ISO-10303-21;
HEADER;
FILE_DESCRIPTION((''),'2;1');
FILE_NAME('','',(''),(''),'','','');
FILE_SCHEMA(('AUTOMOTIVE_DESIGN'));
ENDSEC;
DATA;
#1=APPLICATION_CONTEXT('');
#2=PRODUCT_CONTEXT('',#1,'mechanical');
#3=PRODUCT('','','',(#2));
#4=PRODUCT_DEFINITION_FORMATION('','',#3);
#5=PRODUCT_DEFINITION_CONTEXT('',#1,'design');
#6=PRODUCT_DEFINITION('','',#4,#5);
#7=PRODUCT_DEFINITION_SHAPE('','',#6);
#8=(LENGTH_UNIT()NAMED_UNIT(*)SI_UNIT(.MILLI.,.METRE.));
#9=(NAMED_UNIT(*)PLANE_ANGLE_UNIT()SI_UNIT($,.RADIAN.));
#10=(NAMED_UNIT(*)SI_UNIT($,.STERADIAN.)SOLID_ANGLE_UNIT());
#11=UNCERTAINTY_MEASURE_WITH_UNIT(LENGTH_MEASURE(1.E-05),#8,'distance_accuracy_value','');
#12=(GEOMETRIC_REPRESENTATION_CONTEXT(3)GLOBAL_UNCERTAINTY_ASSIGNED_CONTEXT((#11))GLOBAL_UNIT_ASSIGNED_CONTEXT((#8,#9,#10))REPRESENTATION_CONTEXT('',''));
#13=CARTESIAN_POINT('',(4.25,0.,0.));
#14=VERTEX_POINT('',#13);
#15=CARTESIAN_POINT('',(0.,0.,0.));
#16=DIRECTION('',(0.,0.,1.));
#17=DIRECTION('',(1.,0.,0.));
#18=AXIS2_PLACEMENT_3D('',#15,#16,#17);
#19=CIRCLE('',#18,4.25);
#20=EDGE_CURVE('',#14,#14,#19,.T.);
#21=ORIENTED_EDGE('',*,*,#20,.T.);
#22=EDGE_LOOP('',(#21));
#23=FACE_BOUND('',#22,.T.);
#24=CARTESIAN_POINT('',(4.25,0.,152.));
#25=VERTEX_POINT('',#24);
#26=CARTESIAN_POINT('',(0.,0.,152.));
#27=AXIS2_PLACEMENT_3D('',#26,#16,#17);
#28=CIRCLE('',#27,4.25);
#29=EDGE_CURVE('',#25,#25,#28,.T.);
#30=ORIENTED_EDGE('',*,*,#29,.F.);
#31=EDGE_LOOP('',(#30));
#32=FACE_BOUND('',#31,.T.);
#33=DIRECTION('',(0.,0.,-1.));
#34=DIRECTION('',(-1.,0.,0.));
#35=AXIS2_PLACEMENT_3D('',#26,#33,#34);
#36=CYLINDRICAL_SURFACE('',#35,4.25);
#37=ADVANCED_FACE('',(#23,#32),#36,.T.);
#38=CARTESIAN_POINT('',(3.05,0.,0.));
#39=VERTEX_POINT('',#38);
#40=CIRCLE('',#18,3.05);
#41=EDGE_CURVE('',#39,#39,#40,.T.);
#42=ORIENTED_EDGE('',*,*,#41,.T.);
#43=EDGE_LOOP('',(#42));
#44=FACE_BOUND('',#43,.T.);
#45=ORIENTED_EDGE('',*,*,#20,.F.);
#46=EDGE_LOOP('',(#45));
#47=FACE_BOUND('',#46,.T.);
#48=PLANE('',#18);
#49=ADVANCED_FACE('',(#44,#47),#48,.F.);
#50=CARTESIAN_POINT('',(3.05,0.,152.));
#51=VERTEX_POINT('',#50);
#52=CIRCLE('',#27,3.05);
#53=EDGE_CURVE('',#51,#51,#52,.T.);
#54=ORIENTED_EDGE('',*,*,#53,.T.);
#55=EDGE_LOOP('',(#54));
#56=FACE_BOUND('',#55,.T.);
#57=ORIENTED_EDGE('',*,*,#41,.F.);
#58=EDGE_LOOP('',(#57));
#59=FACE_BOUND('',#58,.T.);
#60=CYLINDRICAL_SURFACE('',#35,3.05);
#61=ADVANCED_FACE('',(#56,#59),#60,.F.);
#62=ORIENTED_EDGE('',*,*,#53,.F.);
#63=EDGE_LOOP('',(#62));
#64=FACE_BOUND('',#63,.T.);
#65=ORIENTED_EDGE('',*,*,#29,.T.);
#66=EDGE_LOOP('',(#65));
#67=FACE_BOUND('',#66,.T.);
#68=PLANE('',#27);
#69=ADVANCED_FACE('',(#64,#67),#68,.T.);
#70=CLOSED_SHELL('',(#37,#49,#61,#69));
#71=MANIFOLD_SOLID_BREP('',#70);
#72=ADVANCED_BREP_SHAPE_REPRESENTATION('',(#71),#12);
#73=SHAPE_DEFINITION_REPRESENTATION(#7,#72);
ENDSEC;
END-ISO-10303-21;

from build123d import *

# Parameters (mm, degrees)
ESQUISSE1_R        = 4.25
ESQUISSE1_R_2      = 3.05
BOSS_EXTRU_1_DEPTH = 152


with BuildPart() as part:
    # Esquisse1 → Boss.-Extru.1 (new body)
    with BuildSketch(Plane.XY):
        Circle(ESQUISSE1_R)
        Circle(ESQUISSE1_R_2, mode=Mode.SUBTRACT)
    extrude(amount=BOSS_EXTRU_1_DEPTH)


solid = part.part
